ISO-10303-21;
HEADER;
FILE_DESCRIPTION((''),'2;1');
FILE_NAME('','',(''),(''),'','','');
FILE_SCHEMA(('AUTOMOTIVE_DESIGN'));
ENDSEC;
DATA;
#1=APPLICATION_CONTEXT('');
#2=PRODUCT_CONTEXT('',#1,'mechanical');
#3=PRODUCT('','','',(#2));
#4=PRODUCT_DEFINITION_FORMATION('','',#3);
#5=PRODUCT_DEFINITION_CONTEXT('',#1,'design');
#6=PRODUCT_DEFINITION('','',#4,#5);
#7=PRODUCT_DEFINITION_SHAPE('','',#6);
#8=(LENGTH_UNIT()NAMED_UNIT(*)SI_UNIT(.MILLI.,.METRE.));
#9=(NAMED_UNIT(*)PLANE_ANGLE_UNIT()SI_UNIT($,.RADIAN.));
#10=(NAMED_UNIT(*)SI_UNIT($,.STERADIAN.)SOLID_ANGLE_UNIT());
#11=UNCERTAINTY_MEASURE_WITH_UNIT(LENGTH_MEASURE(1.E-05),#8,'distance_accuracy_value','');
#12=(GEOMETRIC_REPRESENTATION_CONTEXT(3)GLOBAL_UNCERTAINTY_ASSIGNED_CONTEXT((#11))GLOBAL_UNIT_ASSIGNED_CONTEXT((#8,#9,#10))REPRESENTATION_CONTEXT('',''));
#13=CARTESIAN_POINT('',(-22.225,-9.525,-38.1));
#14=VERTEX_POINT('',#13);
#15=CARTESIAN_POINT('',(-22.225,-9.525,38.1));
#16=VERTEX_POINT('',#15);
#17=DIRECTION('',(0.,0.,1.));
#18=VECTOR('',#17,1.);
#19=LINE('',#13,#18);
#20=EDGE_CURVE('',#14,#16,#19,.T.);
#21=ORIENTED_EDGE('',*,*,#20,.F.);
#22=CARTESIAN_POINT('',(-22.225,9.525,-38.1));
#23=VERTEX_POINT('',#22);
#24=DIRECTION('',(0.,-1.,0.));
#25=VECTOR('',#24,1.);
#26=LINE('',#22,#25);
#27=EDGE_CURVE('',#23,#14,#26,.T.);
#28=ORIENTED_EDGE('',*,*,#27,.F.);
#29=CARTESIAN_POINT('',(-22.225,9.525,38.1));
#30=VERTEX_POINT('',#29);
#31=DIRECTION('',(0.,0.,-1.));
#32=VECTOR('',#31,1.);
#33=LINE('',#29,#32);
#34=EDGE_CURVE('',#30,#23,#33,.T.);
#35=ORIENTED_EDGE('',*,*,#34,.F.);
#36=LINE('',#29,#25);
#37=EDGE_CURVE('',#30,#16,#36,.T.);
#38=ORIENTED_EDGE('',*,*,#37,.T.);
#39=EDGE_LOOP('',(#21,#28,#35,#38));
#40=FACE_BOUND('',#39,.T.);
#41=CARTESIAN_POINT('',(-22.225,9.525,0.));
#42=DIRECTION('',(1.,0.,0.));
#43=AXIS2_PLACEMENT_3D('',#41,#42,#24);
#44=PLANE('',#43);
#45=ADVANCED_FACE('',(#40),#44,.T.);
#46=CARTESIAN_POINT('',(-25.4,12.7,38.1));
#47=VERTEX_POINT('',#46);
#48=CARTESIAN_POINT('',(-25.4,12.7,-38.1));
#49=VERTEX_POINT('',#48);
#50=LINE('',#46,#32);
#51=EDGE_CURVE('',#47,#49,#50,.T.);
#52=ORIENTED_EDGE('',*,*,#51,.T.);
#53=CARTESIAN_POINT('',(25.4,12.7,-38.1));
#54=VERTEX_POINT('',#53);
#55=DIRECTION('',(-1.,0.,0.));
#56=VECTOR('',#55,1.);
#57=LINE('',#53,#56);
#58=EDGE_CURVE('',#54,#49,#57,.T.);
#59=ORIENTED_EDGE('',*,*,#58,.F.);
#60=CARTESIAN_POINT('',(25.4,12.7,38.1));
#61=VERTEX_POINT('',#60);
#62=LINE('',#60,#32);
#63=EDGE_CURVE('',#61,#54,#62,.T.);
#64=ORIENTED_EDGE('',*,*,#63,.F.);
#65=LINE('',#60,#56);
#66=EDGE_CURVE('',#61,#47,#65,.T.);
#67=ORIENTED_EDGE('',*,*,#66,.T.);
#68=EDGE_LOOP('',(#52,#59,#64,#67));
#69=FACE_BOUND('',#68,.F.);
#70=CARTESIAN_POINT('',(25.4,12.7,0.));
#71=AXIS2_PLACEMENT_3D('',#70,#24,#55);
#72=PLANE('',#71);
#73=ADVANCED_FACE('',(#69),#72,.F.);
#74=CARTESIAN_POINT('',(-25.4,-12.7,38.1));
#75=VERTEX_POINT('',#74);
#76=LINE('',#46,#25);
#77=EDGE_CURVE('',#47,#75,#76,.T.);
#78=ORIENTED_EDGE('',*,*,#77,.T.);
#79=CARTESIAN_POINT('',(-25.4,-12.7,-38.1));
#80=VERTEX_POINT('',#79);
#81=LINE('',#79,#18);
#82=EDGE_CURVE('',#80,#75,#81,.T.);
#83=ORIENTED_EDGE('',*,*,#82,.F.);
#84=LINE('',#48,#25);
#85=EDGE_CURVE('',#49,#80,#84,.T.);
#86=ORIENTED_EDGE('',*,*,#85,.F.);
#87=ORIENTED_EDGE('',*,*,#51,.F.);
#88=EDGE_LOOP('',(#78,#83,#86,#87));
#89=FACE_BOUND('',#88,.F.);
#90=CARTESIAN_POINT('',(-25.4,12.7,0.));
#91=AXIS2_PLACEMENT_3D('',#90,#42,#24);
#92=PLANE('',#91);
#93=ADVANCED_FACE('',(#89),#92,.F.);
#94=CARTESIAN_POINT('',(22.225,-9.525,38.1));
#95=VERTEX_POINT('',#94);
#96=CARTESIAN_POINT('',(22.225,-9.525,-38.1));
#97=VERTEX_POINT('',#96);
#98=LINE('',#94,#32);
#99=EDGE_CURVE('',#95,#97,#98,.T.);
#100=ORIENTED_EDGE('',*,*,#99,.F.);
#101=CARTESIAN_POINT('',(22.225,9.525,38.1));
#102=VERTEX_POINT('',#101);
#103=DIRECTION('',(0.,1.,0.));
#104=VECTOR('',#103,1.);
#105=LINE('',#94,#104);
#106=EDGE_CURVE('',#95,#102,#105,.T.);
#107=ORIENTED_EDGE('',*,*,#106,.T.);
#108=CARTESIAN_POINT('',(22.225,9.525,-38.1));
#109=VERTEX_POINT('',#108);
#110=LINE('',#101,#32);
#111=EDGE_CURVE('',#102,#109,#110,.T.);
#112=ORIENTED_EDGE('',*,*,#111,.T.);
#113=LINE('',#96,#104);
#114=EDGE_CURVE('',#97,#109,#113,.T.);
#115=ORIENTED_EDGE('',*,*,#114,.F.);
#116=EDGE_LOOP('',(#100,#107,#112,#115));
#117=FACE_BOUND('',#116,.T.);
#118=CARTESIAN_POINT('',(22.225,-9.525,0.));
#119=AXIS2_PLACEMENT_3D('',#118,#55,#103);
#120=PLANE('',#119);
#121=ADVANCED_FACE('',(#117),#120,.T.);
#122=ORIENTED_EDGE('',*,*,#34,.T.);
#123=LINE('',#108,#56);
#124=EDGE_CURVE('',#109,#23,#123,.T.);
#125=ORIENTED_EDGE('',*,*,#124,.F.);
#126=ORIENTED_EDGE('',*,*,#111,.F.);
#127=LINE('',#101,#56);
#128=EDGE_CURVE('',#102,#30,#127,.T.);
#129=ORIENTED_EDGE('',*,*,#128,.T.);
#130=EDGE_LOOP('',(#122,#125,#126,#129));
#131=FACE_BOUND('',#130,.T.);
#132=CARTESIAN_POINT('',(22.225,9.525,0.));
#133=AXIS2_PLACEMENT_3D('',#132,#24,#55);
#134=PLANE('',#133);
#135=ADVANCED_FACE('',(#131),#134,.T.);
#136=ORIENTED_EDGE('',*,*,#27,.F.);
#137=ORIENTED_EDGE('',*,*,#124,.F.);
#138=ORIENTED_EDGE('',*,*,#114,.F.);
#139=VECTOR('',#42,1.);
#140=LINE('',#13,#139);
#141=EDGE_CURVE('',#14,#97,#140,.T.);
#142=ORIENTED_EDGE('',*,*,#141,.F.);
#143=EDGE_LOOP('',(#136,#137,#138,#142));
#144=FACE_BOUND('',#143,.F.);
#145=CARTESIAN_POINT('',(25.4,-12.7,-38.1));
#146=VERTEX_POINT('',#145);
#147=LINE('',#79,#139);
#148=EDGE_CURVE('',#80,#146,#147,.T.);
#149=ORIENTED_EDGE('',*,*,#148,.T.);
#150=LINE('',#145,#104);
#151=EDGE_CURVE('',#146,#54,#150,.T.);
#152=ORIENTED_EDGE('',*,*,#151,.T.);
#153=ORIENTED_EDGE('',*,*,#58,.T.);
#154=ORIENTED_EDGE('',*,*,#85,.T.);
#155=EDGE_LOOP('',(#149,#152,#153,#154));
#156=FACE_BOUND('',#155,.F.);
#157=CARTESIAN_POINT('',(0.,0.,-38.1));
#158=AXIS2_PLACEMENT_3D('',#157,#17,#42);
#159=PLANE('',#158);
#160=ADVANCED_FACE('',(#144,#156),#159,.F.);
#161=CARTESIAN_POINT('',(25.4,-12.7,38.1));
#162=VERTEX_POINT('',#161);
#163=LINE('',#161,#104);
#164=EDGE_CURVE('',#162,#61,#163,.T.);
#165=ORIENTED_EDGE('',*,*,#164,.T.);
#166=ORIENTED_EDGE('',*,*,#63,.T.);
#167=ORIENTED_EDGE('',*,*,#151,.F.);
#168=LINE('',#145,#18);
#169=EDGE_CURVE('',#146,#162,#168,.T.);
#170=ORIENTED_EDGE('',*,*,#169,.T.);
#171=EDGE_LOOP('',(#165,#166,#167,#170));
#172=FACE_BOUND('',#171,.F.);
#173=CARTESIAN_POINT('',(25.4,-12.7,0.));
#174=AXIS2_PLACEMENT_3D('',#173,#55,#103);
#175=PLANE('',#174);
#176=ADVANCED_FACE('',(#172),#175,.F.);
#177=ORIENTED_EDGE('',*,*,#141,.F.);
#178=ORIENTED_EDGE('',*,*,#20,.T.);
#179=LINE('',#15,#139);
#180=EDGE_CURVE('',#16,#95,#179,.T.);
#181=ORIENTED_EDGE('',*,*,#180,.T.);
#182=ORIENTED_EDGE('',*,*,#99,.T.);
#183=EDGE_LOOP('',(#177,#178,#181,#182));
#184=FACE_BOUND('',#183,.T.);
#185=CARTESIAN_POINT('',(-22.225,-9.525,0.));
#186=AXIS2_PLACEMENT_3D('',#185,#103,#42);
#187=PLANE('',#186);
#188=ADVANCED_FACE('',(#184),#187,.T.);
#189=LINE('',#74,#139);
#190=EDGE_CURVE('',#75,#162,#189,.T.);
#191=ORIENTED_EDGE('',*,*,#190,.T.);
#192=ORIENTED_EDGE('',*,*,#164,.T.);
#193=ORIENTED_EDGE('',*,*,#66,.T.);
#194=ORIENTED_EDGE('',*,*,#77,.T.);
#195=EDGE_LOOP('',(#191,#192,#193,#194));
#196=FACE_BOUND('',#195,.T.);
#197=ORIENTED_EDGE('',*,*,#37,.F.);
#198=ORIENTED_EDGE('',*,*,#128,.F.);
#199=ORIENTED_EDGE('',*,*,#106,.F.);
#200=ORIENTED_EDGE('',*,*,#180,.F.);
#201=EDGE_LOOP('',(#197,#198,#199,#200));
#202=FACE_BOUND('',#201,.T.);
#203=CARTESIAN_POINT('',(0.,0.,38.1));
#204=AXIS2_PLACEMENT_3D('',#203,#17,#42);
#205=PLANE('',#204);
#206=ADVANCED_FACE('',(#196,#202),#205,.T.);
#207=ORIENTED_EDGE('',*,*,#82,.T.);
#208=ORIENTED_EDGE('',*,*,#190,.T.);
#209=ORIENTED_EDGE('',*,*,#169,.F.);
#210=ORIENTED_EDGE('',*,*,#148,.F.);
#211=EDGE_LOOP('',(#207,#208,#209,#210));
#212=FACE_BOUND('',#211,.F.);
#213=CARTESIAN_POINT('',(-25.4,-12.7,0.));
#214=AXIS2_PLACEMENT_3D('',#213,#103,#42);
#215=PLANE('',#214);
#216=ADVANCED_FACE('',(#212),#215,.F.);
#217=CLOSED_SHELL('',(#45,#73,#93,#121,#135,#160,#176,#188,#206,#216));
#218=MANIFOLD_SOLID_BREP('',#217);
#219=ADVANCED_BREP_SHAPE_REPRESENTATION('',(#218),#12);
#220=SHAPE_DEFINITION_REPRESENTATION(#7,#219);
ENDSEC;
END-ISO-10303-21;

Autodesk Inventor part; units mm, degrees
ref_plane "YZ Plane" through (0, 0, 0) normal (1, 0, 0) x (0, 1, 0)
ref_plane "XZ Plane" through (0, 0, 0) normal (0, 1, 0) x (-1, 0, 0)
ref_plane "XY Plane" through (0, 0, 0) normal (0, 0, 1) x (1, 0, 0)
sketch "Sketch1" plane through (0, 0, 0) normal (0, 0, 1) x (1, 0, 0)
  line L0 (-25.4, -12.7) -> (25.4, -12.7)
  line L1 (25.4, -12.7) -> (25.4, 12.7)
  line L2 (25.4, 12.7) -> (-25.4, 12.7)
  line L3 (-25.4, 12.7) -> (-25.4, -12.7)
  line L4 (-25.4, -12.7) -> (25.4, 12.7) construction
  line L5 (25.4, -12.7) -> (-25.4, 12.7) construction
  line L6 (-22.225, -9.525) -> (22.225, -9.525)
  line L7 (22.225, -9.525) -> (22.225, 9.525)
  line L8 (22.225, 9.525) -> (-22.225, 9.525)
  line L9 (-22.225, 9.525) -> (-22.225, -9.525)
  line L10 (-22.225, -9.525) -> (22.225, 9.525) construction
  line L11 (22.225, -9.525) -> (-22.225, 9.525) construction
  point P0 (0, 0)
  dimension "d0" = 50.8
  dimension "d1" = 25.4
  dimension "d2" = 3.175
  dimension "d3" = 3.175
extrude "Extrusion1" add sketch "Sketch1" along normal mid plane 76.2
properties part number "Aluminum1x2Step" material "Aluminum 6061"
